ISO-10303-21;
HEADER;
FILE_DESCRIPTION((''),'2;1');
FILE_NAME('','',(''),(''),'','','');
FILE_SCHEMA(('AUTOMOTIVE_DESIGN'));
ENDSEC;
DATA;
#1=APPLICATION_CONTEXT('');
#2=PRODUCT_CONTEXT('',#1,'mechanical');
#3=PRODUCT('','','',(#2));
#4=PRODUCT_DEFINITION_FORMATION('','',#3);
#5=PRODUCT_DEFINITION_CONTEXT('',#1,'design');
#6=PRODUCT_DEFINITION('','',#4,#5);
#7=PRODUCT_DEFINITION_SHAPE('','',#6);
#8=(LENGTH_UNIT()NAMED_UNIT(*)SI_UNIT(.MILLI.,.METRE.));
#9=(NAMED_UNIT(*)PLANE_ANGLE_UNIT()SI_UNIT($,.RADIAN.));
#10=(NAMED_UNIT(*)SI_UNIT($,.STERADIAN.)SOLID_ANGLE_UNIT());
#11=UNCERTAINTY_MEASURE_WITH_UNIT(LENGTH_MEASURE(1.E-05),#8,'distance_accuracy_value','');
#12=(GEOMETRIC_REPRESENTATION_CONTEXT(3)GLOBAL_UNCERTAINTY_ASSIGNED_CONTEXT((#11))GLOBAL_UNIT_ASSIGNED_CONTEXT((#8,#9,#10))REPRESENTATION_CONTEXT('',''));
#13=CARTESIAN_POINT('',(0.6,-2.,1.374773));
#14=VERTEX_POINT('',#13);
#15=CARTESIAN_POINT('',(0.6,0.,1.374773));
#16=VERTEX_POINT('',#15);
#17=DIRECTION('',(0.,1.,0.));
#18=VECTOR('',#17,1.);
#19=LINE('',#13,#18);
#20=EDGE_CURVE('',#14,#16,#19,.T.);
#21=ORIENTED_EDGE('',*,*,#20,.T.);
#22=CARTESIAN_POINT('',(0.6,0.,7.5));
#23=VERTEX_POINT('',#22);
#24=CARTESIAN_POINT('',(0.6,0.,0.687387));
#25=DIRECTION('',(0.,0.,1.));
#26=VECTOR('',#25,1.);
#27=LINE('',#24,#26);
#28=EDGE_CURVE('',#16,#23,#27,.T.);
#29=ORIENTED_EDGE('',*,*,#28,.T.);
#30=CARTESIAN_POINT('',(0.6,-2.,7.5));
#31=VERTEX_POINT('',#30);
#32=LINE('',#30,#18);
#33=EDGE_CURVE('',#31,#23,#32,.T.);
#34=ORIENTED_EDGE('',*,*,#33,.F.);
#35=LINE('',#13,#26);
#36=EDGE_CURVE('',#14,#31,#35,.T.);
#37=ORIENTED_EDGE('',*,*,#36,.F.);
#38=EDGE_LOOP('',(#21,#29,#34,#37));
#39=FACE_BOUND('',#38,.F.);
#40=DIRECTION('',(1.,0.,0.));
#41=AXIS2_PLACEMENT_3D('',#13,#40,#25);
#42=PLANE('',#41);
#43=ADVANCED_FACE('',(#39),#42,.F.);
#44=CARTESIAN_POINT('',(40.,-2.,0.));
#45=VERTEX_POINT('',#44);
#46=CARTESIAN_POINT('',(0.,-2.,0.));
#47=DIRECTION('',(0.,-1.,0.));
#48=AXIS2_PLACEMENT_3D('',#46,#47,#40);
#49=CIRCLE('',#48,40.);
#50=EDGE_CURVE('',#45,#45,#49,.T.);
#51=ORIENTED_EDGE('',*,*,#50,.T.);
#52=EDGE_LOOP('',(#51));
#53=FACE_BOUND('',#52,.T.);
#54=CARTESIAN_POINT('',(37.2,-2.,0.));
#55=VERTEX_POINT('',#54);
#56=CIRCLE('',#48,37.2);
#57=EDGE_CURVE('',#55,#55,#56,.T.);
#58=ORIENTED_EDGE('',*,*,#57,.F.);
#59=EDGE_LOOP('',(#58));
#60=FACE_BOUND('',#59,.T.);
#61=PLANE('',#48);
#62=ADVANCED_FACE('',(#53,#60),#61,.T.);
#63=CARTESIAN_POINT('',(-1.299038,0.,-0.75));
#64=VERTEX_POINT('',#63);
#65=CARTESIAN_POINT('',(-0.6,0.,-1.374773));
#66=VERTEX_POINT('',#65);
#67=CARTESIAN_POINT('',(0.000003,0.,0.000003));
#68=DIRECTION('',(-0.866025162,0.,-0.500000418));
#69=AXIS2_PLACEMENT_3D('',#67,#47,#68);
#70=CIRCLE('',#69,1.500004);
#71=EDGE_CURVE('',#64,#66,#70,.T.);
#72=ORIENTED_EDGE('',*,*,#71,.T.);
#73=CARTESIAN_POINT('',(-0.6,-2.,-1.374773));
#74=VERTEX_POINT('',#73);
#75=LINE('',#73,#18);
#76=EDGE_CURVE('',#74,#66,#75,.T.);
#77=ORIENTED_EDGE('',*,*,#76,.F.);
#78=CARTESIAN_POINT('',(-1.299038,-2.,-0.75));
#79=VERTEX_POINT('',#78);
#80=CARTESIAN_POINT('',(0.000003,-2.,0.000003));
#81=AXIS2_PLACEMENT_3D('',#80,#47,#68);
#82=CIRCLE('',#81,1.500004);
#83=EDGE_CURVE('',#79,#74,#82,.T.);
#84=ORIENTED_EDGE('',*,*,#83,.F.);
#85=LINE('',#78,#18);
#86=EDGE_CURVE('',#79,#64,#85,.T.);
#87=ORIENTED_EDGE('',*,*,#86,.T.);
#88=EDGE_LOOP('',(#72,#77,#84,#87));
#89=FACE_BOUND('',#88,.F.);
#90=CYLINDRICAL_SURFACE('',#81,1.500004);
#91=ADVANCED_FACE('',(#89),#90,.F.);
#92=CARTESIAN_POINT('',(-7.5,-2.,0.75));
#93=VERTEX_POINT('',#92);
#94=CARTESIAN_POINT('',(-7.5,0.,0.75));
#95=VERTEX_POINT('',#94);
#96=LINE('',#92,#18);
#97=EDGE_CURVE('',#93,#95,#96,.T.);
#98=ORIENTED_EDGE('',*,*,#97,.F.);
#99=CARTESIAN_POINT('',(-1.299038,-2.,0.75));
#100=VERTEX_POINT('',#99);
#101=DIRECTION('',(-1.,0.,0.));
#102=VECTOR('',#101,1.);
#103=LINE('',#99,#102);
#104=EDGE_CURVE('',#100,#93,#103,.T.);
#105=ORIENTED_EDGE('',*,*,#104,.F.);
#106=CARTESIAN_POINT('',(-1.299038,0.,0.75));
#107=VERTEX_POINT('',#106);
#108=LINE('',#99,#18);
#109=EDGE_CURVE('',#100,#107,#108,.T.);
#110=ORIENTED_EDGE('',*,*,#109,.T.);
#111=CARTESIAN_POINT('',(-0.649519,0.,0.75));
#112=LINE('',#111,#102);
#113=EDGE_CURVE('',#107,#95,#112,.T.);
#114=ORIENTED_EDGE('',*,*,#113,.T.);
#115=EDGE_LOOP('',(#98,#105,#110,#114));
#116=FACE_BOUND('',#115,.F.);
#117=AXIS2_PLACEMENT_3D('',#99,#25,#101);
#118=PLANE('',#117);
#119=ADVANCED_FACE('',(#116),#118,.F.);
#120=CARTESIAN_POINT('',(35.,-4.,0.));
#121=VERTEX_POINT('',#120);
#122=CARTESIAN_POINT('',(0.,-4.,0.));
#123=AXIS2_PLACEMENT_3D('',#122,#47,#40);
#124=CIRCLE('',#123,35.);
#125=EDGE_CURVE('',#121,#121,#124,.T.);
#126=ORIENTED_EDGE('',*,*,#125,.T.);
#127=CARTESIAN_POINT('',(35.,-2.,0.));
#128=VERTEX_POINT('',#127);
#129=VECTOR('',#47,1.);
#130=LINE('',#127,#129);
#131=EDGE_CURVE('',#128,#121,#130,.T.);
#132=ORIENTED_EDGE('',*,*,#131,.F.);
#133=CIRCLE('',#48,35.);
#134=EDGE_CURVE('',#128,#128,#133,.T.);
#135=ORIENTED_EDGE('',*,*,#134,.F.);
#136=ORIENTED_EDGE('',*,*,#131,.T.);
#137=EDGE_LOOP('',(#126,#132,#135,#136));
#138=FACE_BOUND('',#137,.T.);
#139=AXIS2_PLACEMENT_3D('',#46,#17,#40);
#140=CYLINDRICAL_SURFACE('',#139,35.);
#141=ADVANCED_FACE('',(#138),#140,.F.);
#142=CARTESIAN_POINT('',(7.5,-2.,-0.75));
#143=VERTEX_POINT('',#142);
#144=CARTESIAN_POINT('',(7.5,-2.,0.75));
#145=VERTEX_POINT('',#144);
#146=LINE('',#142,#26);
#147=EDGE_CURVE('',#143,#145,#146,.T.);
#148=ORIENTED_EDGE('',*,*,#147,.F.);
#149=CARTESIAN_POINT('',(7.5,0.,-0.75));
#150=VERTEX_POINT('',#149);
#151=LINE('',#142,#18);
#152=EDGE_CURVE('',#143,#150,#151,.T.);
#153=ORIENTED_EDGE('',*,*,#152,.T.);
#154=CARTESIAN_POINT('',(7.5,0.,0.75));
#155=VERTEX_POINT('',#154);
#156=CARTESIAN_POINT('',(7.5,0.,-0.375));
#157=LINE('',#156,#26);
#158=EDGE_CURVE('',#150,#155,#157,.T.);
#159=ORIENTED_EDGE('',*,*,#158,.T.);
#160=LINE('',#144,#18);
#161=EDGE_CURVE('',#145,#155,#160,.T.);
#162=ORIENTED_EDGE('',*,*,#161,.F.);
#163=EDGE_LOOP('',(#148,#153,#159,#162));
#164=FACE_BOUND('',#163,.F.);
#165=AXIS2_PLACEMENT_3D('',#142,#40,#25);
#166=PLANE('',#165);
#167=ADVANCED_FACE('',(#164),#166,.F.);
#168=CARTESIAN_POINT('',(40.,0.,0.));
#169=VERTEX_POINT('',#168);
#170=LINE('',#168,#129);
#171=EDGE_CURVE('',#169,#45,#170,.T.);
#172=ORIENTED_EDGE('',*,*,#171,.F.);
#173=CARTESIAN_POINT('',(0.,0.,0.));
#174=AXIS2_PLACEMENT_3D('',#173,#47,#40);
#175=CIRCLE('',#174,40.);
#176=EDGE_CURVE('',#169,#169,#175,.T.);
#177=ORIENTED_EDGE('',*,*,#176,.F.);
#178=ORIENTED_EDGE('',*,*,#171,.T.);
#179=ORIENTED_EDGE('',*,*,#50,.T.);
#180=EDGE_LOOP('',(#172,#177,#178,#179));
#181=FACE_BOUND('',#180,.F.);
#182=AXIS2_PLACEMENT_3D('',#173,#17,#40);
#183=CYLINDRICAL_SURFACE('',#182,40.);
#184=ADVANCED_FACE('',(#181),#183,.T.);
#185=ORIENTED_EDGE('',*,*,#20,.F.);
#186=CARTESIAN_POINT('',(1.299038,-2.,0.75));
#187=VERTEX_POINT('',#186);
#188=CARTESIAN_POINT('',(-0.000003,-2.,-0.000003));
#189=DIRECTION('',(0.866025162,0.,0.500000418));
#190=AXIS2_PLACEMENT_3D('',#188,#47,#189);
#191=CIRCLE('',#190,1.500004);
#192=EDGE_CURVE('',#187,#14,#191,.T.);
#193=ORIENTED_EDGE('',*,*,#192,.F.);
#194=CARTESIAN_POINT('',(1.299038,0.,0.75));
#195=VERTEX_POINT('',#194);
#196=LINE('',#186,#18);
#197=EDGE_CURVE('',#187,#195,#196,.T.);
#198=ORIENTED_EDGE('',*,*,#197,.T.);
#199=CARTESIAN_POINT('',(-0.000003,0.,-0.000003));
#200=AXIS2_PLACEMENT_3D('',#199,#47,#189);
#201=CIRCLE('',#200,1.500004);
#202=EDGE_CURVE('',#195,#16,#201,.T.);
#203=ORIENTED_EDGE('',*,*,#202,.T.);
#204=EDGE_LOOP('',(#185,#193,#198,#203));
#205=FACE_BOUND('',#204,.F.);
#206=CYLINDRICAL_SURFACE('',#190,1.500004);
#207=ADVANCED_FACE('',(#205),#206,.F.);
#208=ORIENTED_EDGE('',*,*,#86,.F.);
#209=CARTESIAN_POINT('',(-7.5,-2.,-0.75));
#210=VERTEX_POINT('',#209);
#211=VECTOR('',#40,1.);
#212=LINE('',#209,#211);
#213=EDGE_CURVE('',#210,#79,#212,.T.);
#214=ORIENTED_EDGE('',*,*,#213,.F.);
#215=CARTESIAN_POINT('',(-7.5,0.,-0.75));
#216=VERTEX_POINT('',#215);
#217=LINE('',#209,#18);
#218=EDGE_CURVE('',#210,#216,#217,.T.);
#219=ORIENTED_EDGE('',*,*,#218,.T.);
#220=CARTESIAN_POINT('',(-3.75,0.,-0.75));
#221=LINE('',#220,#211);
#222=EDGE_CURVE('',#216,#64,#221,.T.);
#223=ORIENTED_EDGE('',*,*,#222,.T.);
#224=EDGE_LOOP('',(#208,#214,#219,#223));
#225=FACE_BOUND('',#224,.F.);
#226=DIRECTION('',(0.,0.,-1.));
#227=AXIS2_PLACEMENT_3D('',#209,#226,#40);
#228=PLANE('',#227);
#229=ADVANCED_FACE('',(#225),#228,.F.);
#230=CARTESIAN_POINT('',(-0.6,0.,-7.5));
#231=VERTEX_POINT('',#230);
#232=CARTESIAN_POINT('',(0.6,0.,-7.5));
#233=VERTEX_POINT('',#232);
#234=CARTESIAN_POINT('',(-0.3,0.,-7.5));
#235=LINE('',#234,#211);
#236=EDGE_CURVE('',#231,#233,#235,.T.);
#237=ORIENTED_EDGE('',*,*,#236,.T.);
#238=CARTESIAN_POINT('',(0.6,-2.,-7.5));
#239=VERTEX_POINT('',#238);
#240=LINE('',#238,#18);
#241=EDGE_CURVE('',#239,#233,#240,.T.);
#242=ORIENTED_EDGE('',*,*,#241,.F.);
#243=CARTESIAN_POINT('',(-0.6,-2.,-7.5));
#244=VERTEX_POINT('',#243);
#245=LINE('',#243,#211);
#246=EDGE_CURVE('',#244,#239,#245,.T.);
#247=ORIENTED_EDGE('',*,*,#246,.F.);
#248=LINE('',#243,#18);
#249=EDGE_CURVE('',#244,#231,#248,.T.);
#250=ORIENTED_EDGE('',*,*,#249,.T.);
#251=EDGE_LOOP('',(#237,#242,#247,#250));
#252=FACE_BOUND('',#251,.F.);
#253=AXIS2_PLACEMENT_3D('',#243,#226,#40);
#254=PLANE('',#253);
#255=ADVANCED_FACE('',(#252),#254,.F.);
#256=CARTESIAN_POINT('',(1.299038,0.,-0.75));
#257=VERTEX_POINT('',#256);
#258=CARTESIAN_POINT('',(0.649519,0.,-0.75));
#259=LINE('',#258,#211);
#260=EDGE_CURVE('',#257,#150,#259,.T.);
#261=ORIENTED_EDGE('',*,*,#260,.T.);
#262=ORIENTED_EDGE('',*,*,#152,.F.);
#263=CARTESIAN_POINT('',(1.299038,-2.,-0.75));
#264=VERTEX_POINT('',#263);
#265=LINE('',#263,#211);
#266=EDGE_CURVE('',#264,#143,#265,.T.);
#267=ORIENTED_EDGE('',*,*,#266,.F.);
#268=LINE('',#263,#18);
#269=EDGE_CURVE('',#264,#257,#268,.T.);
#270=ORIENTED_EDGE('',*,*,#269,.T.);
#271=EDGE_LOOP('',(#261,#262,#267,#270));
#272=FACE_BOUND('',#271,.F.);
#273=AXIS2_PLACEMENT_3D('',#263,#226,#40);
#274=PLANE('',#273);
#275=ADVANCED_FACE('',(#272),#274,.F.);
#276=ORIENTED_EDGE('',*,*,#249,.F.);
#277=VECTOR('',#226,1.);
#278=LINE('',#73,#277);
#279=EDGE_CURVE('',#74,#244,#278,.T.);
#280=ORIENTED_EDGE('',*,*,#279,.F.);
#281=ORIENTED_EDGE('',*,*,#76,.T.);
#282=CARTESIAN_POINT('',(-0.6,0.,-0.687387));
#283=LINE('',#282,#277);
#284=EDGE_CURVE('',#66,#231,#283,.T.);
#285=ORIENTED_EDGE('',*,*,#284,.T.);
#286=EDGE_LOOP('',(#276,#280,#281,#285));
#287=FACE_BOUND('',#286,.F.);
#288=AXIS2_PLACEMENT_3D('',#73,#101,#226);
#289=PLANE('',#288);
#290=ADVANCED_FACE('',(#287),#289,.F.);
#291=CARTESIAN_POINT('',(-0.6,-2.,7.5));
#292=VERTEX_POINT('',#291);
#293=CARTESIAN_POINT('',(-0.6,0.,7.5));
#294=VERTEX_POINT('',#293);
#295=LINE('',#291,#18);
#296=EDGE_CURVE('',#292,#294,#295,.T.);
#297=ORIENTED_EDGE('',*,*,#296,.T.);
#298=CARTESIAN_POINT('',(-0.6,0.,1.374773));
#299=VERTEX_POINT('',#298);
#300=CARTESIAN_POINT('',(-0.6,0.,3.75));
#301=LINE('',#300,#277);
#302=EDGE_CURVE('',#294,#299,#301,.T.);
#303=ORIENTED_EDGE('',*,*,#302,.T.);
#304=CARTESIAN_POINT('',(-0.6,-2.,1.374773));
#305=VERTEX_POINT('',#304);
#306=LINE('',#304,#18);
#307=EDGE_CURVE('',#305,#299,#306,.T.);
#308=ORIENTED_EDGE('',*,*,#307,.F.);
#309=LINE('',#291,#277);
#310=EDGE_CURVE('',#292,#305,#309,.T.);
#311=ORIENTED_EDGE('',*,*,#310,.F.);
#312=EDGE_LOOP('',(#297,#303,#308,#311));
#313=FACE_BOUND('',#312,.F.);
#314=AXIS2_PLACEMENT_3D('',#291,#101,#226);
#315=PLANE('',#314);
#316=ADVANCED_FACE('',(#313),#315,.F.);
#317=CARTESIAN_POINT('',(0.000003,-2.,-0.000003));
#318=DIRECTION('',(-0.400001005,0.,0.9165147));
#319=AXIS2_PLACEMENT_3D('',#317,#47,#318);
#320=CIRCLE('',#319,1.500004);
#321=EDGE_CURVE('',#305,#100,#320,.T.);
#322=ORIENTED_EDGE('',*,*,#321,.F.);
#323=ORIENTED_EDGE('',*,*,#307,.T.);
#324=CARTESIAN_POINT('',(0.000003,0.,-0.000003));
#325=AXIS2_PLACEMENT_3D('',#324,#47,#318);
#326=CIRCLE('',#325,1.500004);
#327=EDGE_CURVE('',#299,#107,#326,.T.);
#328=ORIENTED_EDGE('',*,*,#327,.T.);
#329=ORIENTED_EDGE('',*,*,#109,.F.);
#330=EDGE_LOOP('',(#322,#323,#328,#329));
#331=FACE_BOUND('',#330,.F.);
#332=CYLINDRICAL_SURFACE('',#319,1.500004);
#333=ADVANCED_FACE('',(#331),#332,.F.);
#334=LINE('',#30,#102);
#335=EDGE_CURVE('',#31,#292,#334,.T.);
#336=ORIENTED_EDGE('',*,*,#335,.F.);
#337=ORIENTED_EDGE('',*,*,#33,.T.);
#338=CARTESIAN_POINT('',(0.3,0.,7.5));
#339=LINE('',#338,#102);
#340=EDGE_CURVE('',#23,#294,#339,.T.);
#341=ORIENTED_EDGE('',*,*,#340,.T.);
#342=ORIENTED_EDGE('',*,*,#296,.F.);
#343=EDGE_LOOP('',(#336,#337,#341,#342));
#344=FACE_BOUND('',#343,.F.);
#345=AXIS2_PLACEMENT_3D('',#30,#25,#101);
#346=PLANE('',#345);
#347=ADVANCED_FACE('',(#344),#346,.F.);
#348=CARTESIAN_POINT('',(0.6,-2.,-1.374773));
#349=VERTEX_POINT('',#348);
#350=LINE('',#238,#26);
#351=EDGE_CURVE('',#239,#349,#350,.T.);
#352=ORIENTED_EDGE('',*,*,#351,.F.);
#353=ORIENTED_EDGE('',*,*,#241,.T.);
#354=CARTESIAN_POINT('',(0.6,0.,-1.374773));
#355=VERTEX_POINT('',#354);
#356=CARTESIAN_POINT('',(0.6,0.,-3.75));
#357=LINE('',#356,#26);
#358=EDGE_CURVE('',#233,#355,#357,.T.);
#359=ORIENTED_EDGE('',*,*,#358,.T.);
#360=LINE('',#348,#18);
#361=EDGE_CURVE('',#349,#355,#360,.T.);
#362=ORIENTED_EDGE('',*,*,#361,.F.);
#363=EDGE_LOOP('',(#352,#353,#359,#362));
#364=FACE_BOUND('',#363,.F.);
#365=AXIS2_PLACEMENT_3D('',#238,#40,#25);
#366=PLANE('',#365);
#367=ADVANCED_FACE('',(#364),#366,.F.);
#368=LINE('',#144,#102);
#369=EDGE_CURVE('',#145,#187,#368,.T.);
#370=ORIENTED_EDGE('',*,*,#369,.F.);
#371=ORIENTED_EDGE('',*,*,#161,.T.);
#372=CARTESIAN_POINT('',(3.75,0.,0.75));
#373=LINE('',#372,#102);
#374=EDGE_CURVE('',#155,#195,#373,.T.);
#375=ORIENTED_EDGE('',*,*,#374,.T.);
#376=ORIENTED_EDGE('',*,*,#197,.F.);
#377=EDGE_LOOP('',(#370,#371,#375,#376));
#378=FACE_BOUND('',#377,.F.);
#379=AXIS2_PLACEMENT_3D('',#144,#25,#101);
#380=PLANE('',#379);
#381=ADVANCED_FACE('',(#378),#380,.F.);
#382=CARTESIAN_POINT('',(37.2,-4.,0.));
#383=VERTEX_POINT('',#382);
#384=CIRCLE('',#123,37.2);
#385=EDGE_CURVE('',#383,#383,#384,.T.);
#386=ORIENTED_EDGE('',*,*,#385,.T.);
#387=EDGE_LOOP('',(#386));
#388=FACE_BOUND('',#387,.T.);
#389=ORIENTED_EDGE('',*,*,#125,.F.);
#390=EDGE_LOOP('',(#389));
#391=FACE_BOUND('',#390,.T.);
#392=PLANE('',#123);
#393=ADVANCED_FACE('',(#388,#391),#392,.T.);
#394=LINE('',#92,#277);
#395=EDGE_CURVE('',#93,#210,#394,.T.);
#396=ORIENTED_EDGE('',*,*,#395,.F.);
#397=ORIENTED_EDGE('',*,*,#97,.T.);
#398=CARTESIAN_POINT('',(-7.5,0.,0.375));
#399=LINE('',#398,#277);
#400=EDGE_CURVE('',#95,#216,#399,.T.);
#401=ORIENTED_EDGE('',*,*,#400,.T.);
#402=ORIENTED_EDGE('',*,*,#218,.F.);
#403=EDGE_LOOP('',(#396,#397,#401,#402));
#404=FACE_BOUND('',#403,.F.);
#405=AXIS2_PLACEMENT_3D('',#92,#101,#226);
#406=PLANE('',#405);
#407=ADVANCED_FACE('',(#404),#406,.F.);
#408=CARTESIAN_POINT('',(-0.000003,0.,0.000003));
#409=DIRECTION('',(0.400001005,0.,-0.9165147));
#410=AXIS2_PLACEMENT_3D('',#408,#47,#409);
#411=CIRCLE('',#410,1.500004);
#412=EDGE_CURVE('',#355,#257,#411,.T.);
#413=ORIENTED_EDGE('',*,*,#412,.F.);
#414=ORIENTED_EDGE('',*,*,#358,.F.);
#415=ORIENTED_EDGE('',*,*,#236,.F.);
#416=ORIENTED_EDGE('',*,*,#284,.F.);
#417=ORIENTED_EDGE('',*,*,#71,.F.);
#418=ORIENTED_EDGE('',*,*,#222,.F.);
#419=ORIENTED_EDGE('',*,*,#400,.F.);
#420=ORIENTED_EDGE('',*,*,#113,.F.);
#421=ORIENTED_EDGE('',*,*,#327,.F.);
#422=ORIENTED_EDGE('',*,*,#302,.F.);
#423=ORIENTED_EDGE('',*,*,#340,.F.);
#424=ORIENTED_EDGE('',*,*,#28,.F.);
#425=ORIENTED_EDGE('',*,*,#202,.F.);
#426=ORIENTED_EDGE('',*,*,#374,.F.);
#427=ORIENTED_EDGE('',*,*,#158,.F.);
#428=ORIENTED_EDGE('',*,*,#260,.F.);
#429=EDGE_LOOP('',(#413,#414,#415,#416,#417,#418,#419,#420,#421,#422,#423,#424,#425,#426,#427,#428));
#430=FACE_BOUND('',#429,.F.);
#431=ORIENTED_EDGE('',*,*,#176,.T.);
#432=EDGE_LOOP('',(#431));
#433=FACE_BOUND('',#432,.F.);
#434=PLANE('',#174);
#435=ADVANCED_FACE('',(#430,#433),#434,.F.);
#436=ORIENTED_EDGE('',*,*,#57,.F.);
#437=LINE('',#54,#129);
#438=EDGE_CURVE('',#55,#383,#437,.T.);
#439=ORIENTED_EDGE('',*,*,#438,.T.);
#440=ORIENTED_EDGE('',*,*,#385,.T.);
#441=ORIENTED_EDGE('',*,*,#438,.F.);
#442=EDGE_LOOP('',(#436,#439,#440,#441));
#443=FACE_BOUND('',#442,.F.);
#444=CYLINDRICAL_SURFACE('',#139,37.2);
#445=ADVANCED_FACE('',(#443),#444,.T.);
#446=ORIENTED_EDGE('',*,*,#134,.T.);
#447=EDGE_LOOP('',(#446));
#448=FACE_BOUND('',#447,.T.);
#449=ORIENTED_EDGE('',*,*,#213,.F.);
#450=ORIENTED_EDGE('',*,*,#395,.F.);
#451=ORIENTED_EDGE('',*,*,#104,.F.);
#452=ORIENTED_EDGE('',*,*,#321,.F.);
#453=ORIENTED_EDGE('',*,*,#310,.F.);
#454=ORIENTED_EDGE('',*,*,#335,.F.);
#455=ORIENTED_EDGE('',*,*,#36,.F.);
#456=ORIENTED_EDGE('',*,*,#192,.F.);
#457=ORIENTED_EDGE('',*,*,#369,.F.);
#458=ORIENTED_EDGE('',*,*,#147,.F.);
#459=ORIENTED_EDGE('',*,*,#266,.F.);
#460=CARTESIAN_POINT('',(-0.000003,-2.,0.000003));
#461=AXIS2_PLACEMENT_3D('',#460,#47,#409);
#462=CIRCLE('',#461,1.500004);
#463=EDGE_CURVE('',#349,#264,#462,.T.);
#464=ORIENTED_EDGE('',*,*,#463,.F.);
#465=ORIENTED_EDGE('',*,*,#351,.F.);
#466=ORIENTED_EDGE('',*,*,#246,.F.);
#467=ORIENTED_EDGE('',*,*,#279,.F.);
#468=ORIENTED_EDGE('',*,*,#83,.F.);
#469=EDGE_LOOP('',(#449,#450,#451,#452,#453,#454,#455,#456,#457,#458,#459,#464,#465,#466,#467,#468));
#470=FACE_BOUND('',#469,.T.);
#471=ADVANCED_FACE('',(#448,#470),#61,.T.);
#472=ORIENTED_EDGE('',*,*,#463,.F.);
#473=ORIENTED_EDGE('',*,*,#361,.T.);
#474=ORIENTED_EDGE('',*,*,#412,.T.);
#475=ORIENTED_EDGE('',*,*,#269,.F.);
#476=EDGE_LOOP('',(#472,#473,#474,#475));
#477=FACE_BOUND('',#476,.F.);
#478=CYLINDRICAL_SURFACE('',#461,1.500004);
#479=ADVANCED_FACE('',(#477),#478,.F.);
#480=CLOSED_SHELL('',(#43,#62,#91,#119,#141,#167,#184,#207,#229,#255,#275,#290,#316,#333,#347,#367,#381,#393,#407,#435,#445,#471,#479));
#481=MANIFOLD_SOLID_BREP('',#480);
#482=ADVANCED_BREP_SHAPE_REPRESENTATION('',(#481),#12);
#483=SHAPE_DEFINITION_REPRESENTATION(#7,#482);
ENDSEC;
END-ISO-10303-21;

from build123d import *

# Parameters (mm, degrees)
F0_R     = 40
F1_DEPTH = 2
F2_R     = 37.2
F2_R_2   = 35
F3_DEPTH = 2
F5_DEPTH = 25
F6_DEPTH = 25


with BuildPart() as f1:
    # F0 (on Front) → F1 (new body)
    with BuildSketch(Plane.XZ):
        Circle(F0_R)
    extrude(amount=F1_DEPTH)

    # F2 (on face) → F3 (join)
    with BuildSketch(Plane.XZ.offset(2)):
        Circle(F2_R)
        Circle(F2_R_2, mode=Mode.SUBTRACT)
    extrude(amount=F3_DEPTH)

    # F4 (on face) → F5 (cut)
    with BuildSketch(Plane.XZ.offset(2)):
        with BuildLine():
            Line((0.6, 7.5), (-0.6, 7.5))
            Line((-0.6, 7.5), (-0.6, 1.374773))
            ThreePointArc((-0.6, 1.374773), (0, 1.5), (0.6, 1.374773))
            Line((0.6, 1.374773), (0.6, 7.5))
        make_face()
        with BuildLine():
            Line((-0.6, 0.75), (-0.6, 1.374773))
            ThreePointArc((-0.6, 1.374773), (-0.999586, 1.118404), (-1.299038, 0.75))
            Line((-1.299038, 0.75), (-0.6, 0.75))
        make_face()
        with BuildLine():
            ThreePointArc((1.299038, 0.75), (0.999586, 1.118404), (0.6, 1.374773))
            Line((0.6, 1.374773), (0.6, 0.75))
            Line((0.6, 0.75), (1.299038, 0.75))
        make_face()
        with BuildLine():
            ThreePointArc((-1.299038, -0.75), (-1.5, 0), (-1.299038, 0.75))
            Line((-1.299038, 0.75), (-7.5, 0.75))
            Line((-7.5, 0.75), (-7.5, -0.75))
            Line((-7.5, -0.75), (-1.299038, -0.75))
        make_face()
        with BuildLine():
            Line((7.5, 0.75), (1.299038, 0.75))
            ThreePointArc((1.299038, 0.75), (1.448889, 0.388229), (1.5, 0))
            ThreePointArc((1.5, 0), (1.448889, -0.388229), (1.299038, -0.75))
            Line((1.299038, -0.75), (7.5, -0.75))
            Line((7.5, -0.75), (7.5, 0.75))
        make_face()
        with BuildLine():
            Line((-0.6, -1.374773), (-0.6, -0.75))
            Line((-0.6, -0.75), (-1.299038, -0.75))
            ThreePointArc((-1.299038, -0.75), (-0.999586, -1.118404), (-0.6, -1.374773))
        make_face()
        with BuildLine():
            Line((1.299038, -0.75), (0.6, -0.75))
            Line((0.6, -0.75), (0.6, -1.374773))
            ThreePointArc((0.6, -1.374773), (0.999586, -1.118404), (1.299038, -0.75))
        make_face()
        with BuildLine():
            ThreePointArc((0.6, -1.374773), (0, -1.5), (-0.6, -1.374773))
            Line((-0.6, -1.374773), (-0.6, -7.5))
            Line((-0.6, -7.5), (0.6, -7.5))
            Line((0.6, -7.5), (0.6, -1.374773))
        make_face()
    extrude(amount=-F5_DEPTH, mode=Mode.SUBTRACT)

    # F5_face (on face) → F6 (cut)
    with BuildSketch(Plane.XZ.offset(2)):
        with BuildLine():
            ThreePointArc((-0.6, -1.374773), (0, -1.5), (0.6, -1.374773))
            Line((0.6, -1.374773), (0.6, -0.75))
            Line((0.6, -0.75), (1.299038, -0.75))
            ThreePointArc((1.299038, -0.75), (1.5, 0), (1.299038, 0.75))
            Line((1.299038, 0.75), (0.6, 0.75))
            Line((0.6, 0.75), (0.6, 1.374773))
            ThreePointArc((0.6, 1.374773), (0, 1.5), (-0.6, 1.374773))
            Line((-0.6, 1.374773), (-0.6, 0.75))
            Line((-0.6, 0.75), (-1.299038, 0.75))
            ThreePointArc((-1.299038, 0.75), (-1.5, 0), (-1.299038, -0.75))
            Line((-1.299038, -0.75), (-0.6, -0.75))
            Line((-0.6, -0.75), (-0.6, -1.374773))
        make_face()
    extrude(amount=-F6_DEPTH, mode=Mode.SUBTRACT)


solid = f1.part
